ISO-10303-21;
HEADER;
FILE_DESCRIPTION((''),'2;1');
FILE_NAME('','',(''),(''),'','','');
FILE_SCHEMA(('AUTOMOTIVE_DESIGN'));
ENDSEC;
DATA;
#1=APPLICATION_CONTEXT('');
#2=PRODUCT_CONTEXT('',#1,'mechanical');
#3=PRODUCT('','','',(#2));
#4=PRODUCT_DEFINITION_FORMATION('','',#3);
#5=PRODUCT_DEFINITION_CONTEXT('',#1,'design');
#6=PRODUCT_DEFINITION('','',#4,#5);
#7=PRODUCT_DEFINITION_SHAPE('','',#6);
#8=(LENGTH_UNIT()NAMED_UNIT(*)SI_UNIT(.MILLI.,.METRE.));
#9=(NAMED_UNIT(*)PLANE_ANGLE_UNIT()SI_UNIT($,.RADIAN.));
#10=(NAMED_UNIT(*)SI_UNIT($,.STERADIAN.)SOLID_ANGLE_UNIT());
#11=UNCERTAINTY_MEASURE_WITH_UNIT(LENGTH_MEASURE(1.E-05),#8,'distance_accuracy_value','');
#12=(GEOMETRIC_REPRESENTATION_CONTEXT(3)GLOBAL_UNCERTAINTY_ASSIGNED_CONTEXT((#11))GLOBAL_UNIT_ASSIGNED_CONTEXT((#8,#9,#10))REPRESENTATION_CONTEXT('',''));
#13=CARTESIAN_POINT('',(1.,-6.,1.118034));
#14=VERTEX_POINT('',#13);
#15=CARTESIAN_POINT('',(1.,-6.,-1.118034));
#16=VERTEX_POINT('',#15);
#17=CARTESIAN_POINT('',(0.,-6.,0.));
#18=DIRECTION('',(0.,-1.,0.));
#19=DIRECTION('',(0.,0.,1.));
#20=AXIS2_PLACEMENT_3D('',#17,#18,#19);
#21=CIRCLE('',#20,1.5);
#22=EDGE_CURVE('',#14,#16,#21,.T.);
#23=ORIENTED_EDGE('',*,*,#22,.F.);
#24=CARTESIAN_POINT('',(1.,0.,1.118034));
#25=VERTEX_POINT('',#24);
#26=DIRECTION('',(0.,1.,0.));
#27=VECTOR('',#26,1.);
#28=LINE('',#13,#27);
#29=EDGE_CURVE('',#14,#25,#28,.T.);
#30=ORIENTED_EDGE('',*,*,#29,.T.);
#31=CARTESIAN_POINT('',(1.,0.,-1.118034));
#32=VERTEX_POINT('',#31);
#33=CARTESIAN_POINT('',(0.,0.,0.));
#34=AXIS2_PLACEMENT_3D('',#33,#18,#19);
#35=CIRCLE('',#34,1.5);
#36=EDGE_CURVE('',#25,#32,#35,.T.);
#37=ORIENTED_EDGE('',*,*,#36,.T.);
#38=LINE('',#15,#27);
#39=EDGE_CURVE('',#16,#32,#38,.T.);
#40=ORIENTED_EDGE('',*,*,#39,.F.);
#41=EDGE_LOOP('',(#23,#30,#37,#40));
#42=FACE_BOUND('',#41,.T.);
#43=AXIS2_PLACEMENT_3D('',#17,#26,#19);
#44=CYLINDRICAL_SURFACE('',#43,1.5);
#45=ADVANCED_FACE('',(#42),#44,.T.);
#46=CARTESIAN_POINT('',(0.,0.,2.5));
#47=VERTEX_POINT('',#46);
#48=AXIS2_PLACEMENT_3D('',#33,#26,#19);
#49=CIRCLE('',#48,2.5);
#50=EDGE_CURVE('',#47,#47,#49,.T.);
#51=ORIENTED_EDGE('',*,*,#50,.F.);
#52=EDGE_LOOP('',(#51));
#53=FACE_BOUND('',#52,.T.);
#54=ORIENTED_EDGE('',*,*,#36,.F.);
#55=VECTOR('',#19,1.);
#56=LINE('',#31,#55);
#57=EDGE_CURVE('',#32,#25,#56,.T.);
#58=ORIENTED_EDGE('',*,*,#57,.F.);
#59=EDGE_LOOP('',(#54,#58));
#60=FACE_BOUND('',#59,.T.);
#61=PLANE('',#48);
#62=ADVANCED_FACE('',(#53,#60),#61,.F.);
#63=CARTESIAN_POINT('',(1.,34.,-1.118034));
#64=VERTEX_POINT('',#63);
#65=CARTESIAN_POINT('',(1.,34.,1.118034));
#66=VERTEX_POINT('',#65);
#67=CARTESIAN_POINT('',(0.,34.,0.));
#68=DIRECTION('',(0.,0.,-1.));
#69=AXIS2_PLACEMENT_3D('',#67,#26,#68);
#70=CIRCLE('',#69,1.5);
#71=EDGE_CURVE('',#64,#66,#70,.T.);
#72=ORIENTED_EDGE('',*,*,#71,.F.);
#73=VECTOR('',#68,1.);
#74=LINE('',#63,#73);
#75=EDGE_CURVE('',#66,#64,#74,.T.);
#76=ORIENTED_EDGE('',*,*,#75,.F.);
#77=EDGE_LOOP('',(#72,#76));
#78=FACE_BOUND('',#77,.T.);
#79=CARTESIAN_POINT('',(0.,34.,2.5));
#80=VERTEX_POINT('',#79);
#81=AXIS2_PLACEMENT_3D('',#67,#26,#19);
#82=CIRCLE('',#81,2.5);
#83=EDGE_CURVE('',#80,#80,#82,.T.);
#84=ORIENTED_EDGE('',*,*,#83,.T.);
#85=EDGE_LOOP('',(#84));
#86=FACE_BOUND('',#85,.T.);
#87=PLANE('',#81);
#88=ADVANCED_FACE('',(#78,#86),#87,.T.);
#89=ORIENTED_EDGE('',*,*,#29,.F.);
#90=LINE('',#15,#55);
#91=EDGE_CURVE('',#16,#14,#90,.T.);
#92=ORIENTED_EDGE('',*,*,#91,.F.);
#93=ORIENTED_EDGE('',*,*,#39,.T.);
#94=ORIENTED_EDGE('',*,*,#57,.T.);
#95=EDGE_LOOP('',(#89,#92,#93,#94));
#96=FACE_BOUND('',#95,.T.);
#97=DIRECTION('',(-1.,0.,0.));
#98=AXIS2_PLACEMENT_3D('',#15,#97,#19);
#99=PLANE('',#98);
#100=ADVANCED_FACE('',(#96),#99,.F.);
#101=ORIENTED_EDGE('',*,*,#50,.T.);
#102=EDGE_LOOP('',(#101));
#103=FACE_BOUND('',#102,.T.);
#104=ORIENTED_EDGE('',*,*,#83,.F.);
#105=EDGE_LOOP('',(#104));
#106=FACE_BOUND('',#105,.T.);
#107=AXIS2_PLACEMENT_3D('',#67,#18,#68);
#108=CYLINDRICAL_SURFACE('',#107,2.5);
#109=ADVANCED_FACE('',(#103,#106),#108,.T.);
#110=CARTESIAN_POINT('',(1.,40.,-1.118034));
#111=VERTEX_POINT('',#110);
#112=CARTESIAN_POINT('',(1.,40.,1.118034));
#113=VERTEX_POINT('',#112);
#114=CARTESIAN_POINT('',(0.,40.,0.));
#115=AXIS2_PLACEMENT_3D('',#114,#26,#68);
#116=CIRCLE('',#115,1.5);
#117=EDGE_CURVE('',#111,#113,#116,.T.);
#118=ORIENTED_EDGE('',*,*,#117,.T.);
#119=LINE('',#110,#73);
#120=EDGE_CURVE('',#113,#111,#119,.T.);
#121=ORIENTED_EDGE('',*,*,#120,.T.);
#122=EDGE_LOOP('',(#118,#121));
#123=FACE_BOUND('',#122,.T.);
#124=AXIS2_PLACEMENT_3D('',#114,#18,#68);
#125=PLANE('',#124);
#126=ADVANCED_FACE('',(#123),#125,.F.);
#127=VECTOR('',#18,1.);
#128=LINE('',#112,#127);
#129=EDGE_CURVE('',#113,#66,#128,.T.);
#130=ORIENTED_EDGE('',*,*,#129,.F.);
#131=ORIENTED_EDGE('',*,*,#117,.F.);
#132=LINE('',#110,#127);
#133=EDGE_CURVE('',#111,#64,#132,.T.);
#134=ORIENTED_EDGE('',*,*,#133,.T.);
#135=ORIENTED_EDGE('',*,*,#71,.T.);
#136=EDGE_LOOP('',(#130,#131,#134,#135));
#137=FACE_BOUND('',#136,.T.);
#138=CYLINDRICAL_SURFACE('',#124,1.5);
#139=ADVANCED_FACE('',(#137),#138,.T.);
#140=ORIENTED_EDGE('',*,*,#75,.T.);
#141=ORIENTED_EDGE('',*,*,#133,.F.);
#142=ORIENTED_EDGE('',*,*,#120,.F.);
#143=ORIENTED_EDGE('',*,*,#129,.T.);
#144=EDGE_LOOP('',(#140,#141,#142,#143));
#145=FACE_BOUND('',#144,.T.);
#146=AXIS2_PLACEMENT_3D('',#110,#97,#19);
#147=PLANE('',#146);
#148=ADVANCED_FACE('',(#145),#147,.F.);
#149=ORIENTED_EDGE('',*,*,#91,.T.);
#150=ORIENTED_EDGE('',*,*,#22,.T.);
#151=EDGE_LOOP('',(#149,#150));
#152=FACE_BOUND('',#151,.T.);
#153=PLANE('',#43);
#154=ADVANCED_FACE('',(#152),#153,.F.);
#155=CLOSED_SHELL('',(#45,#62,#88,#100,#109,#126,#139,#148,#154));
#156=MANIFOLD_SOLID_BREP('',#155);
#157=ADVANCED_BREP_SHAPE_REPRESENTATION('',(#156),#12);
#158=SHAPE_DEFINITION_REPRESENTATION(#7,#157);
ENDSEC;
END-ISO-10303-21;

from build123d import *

# Parameters (mm, degrees)
SKETCH_1_R      = 2.5
EXTRUDE_1_DEPTH = 34
EXTRUDE_2_DEPTH = 6
EXTRUDE_START   = 6
EXTRUDE_3_DEPTH = 6


with BuildPart() as part:
    # 草图1 → 凸台-拉伸1 (new body)
    with BuildSketch(Plane(origin=(0, 0, 0), x_dir=(1, 0, 0), z_dir=(0, 1, 0))):
        with Locations(Location((0, 0, 0), (0, 0, 270))):
            Circle(SKETCH_1_R)
    extrude(amount=EXTRUDE_1_DEPTH)

    # 草图2 → 凸台-拉伸2 (add)
    with BuildSketch(Plane(origin=(0, 34, 0), x_dir=(1, 0, 0), z_dir=(0, 1, 0))):
        with BuildLine():
            Line((1, 1.118033989), (1, -1.118033989))
            ThreePointArc((1, -1.118033989), (-1.5, 0), (1, 1.118033989))
        make_face()
    extrude(amount=EXTRUDE_2_DEPTH)

    # 草图3 → 凸台-拉伸3 (add)
    with BuildSketch(Plane.XZ.offset(EXTRUDE_START)):
        with BuildLine():
            Line((1, -1.118033989), (1, 1.118033989))
            ThreePointArc((1, 1.118033989), (-1.5, 0), (1, -1.118033989))
        make_face()
    extrude(amount=-EXTRUDE_3_DEPTH)


solid = part.part
